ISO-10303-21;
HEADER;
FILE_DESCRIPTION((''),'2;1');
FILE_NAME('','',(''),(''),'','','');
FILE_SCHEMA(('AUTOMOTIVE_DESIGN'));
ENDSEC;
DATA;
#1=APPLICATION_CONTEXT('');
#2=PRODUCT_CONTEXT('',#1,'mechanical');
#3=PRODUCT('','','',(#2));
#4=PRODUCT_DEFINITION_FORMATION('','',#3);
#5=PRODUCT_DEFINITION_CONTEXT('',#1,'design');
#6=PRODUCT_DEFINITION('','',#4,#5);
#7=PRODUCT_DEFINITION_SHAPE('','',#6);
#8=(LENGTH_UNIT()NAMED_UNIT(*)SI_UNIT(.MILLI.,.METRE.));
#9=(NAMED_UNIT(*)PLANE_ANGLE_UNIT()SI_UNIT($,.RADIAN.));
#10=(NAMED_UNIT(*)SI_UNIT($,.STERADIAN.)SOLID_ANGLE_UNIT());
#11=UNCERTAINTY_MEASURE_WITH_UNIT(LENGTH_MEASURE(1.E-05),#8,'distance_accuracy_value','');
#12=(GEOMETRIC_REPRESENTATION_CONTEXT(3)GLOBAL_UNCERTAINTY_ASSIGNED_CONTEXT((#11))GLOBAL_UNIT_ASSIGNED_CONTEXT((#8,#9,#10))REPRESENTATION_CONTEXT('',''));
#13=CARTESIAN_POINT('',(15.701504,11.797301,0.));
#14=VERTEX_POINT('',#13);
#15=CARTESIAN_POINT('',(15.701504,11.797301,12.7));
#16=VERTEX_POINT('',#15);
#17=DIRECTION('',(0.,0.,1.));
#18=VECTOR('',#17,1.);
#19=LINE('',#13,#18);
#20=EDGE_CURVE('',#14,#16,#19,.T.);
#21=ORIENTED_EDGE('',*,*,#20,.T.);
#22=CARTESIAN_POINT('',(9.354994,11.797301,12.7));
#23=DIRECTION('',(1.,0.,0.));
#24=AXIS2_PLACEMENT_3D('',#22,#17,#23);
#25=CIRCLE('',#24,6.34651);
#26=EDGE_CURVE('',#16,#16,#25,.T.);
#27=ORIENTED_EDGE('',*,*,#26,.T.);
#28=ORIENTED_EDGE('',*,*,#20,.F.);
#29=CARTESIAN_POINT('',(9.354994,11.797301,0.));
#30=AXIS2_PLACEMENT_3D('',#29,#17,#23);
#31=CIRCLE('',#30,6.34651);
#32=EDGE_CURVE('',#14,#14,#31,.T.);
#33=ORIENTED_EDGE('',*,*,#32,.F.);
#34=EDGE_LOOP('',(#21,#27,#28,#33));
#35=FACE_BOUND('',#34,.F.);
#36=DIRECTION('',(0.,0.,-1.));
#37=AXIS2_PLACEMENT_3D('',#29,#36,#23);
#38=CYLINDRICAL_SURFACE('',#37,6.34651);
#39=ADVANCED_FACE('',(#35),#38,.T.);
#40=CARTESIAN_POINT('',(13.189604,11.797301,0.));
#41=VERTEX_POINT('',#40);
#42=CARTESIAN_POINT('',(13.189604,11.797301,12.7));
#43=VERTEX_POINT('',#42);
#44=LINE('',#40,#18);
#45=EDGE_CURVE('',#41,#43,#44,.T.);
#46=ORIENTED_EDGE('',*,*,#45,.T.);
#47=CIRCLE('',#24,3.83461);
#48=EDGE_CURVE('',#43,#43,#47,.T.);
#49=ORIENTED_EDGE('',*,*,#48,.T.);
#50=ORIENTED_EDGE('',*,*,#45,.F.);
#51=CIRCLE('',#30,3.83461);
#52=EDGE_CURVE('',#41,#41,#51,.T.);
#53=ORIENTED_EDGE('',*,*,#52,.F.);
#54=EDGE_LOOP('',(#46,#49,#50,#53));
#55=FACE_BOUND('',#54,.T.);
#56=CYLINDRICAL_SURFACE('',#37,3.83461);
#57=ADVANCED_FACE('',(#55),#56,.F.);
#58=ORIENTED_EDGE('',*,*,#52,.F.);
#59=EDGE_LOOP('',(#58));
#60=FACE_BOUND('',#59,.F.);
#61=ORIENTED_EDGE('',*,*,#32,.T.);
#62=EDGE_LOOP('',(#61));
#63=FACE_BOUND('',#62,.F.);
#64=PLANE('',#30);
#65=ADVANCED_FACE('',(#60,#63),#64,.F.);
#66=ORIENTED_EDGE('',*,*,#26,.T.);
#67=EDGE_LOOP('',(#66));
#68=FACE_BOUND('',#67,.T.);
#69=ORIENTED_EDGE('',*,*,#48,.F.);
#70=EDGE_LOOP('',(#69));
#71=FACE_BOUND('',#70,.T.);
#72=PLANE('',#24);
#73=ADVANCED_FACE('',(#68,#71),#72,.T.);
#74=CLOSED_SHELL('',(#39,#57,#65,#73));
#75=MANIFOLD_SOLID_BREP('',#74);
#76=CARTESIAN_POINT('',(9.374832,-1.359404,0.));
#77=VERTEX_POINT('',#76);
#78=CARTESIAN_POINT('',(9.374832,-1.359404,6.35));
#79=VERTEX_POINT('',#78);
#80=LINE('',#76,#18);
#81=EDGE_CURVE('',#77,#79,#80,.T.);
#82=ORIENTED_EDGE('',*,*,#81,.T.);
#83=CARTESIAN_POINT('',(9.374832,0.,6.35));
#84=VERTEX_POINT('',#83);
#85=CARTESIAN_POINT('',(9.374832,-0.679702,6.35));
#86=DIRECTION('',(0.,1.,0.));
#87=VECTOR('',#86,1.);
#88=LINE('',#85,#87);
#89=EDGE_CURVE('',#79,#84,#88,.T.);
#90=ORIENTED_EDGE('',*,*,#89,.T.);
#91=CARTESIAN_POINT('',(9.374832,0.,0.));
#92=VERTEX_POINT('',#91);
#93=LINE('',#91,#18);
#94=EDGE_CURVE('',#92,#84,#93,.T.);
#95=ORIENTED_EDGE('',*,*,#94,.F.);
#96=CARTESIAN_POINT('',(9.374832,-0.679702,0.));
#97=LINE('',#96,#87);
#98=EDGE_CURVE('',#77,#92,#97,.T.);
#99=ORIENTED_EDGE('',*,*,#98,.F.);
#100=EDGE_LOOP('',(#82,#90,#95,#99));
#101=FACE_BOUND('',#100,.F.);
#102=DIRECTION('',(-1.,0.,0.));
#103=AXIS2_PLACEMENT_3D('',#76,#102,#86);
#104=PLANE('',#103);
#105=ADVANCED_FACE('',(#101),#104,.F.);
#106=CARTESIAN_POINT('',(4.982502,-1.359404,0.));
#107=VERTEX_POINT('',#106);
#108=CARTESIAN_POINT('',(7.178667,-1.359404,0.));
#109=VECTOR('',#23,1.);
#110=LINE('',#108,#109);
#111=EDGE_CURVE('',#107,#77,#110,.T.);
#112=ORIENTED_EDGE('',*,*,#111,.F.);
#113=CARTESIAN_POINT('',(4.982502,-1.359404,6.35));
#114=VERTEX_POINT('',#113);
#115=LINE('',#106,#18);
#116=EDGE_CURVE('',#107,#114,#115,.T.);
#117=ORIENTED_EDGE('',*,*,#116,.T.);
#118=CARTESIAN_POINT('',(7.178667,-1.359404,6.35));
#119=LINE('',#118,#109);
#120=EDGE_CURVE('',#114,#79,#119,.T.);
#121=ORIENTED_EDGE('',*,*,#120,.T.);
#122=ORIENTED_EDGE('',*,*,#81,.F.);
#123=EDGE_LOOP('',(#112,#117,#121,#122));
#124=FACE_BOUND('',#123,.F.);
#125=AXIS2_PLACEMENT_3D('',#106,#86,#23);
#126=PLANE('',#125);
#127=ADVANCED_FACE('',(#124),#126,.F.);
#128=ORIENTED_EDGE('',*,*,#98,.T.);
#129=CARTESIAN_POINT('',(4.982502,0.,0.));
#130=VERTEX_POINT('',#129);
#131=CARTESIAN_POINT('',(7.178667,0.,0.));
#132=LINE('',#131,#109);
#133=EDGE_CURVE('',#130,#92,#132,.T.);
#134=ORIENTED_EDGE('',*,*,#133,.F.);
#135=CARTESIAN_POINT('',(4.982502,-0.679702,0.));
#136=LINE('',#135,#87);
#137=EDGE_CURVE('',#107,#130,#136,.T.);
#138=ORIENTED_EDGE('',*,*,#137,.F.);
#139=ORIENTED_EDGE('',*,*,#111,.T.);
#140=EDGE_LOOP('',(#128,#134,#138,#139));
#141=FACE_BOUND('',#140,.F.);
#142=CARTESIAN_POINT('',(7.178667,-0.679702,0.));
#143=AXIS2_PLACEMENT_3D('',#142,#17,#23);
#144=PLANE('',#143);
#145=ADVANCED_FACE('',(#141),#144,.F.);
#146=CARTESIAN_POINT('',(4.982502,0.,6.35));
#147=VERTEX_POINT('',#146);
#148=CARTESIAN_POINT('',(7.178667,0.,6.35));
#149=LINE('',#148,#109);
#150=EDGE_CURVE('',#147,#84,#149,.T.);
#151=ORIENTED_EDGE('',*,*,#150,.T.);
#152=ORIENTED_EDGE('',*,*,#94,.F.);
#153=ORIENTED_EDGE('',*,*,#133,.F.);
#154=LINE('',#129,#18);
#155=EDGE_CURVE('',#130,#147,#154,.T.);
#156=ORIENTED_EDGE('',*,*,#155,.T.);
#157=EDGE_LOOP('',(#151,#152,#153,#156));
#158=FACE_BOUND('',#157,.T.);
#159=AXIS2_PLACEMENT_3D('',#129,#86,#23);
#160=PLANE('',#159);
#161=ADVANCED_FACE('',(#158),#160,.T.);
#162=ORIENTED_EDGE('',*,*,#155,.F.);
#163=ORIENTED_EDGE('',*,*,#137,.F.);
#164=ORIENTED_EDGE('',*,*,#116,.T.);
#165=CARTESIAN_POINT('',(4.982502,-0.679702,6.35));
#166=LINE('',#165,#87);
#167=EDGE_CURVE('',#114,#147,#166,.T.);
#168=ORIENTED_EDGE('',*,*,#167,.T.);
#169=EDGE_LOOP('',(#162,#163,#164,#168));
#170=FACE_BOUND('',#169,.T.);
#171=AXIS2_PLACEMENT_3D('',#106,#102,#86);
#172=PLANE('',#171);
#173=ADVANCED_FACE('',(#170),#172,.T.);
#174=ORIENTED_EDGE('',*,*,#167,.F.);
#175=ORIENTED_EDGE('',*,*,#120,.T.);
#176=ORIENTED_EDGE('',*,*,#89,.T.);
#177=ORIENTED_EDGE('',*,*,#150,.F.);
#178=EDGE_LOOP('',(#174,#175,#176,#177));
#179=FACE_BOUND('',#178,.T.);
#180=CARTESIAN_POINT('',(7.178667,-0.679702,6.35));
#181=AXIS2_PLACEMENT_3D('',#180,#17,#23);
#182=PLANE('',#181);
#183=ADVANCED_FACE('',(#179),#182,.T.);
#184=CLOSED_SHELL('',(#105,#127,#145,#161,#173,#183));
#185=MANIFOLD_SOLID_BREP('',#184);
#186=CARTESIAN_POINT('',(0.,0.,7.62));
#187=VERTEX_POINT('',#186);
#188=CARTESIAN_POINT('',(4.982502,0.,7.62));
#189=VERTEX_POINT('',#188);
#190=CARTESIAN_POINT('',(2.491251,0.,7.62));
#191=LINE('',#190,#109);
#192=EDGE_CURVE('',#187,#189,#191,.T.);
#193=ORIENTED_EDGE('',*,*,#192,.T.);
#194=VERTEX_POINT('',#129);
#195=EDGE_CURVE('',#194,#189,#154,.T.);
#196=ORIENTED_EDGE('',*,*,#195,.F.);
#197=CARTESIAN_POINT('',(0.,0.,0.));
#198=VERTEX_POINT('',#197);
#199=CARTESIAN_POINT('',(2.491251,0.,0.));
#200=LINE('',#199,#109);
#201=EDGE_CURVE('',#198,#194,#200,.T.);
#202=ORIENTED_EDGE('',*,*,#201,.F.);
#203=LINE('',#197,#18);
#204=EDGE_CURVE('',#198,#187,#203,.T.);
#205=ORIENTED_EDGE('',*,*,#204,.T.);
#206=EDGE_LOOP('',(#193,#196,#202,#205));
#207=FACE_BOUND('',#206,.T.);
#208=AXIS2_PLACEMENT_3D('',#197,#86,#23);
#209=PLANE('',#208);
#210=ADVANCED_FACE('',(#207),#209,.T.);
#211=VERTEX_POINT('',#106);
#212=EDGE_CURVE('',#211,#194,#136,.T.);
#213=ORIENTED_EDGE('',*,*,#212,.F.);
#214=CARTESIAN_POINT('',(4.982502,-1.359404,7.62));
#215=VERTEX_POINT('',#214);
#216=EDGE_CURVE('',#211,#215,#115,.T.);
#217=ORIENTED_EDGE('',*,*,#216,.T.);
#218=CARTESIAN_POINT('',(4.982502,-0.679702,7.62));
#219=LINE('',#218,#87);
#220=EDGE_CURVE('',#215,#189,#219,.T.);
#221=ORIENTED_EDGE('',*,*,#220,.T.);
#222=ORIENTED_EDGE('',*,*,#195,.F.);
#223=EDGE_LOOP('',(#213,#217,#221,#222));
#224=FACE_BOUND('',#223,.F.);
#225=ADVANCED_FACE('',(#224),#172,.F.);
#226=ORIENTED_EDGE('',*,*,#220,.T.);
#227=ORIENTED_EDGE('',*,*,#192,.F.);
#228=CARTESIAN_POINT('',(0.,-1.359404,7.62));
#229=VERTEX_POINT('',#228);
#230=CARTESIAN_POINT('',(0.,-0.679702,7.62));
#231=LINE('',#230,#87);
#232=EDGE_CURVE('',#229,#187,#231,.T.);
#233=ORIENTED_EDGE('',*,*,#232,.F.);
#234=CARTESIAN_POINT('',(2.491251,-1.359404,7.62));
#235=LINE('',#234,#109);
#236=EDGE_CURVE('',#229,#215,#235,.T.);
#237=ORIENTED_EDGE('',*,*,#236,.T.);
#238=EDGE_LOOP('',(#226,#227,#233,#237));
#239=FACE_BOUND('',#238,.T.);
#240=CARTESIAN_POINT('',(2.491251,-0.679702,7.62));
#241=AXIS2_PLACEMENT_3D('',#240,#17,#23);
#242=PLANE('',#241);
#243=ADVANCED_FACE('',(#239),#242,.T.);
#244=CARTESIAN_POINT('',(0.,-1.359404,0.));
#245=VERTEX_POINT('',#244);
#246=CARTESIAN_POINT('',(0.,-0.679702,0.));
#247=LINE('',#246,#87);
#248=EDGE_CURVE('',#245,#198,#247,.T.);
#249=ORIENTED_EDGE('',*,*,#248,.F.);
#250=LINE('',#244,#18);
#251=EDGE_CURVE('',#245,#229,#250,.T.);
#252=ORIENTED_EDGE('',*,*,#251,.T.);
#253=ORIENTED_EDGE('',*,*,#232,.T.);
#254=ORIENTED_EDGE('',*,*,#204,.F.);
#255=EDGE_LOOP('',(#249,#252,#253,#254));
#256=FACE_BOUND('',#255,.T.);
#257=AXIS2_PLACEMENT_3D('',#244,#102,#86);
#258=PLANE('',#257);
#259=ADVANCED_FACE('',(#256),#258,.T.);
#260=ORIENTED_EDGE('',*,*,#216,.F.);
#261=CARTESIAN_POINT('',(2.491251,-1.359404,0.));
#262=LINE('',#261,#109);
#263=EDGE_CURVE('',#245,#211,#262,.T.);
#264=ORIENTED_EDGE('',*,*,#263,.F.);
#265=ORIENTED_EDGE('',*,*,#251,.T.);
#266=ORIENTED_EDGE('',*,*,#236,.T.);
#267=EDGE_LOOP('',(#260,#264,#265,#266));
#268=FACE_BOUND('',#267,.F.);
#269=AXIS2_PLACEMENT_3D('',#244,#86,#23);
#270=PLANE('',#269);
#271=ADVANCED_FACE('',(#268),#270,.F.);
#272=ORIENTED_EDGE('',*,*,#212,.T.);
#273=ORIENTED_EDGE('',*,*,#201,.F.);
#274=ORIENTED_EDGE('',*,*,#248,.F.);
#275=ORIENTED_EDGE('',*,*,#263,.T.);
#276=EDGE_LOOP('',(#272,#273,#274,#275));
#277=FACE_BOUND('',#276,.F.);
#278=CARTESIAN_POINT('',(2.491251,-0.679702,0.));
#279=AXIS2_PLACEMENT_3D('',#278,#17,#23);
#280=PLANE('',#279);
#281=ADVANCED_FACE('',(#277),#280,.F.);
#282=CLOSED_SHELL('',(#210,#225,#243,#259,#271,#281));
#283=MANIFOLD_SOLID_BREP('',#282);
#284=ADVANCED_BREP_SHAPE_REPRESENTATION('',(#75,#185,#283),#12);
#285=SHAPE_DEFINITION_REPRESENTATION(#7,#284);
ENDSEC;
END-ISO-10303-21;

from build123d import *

# Parameters (mm, degrees)
F0_W     = 4.392329
F0_H     = 1.359405
F1_DEPTH = 6.35
F0_W_2   = 4.982502
F2_DEPTH = 7.62
F3_R     = 6.34651
F3_R_2   = 3.83461
F4_DEPTH = 12.7


with BuildPart() as f1:
    # F0 (on Top) → F1 (new body)
    with BuildSketch(Plane.XY):
        with Locations((7.178667, -0.679702)):
            Rectangle(F0_W, F0_H)
    extrude(amount=F1_DEPTH)


with BuildPart() as f2:
    # F0 (on Top) → F2 (new body)
    with BuildSketch(Plane.XY):
        with Locations((2.491251, -0.679702)):
            Rectangle(F0_W_2, F0_H)
    extrude(amount=F2_DEPTH)


with BuildPart() as f4:
    # F3 (on Top) → F4 (new body)
    with BuildSketch(Plane.XY):
        with Locations((9.354994, 11.797301)):
            Circle(F3_R)
        with Locations((9.354994, 11.797301)):
            Circle(F3_R_2, mode=Mode.SUBTRACT)
    extrude(amount=F4_DEPTH)


solid = Compound([f1.part, f2.part, f4.part])
